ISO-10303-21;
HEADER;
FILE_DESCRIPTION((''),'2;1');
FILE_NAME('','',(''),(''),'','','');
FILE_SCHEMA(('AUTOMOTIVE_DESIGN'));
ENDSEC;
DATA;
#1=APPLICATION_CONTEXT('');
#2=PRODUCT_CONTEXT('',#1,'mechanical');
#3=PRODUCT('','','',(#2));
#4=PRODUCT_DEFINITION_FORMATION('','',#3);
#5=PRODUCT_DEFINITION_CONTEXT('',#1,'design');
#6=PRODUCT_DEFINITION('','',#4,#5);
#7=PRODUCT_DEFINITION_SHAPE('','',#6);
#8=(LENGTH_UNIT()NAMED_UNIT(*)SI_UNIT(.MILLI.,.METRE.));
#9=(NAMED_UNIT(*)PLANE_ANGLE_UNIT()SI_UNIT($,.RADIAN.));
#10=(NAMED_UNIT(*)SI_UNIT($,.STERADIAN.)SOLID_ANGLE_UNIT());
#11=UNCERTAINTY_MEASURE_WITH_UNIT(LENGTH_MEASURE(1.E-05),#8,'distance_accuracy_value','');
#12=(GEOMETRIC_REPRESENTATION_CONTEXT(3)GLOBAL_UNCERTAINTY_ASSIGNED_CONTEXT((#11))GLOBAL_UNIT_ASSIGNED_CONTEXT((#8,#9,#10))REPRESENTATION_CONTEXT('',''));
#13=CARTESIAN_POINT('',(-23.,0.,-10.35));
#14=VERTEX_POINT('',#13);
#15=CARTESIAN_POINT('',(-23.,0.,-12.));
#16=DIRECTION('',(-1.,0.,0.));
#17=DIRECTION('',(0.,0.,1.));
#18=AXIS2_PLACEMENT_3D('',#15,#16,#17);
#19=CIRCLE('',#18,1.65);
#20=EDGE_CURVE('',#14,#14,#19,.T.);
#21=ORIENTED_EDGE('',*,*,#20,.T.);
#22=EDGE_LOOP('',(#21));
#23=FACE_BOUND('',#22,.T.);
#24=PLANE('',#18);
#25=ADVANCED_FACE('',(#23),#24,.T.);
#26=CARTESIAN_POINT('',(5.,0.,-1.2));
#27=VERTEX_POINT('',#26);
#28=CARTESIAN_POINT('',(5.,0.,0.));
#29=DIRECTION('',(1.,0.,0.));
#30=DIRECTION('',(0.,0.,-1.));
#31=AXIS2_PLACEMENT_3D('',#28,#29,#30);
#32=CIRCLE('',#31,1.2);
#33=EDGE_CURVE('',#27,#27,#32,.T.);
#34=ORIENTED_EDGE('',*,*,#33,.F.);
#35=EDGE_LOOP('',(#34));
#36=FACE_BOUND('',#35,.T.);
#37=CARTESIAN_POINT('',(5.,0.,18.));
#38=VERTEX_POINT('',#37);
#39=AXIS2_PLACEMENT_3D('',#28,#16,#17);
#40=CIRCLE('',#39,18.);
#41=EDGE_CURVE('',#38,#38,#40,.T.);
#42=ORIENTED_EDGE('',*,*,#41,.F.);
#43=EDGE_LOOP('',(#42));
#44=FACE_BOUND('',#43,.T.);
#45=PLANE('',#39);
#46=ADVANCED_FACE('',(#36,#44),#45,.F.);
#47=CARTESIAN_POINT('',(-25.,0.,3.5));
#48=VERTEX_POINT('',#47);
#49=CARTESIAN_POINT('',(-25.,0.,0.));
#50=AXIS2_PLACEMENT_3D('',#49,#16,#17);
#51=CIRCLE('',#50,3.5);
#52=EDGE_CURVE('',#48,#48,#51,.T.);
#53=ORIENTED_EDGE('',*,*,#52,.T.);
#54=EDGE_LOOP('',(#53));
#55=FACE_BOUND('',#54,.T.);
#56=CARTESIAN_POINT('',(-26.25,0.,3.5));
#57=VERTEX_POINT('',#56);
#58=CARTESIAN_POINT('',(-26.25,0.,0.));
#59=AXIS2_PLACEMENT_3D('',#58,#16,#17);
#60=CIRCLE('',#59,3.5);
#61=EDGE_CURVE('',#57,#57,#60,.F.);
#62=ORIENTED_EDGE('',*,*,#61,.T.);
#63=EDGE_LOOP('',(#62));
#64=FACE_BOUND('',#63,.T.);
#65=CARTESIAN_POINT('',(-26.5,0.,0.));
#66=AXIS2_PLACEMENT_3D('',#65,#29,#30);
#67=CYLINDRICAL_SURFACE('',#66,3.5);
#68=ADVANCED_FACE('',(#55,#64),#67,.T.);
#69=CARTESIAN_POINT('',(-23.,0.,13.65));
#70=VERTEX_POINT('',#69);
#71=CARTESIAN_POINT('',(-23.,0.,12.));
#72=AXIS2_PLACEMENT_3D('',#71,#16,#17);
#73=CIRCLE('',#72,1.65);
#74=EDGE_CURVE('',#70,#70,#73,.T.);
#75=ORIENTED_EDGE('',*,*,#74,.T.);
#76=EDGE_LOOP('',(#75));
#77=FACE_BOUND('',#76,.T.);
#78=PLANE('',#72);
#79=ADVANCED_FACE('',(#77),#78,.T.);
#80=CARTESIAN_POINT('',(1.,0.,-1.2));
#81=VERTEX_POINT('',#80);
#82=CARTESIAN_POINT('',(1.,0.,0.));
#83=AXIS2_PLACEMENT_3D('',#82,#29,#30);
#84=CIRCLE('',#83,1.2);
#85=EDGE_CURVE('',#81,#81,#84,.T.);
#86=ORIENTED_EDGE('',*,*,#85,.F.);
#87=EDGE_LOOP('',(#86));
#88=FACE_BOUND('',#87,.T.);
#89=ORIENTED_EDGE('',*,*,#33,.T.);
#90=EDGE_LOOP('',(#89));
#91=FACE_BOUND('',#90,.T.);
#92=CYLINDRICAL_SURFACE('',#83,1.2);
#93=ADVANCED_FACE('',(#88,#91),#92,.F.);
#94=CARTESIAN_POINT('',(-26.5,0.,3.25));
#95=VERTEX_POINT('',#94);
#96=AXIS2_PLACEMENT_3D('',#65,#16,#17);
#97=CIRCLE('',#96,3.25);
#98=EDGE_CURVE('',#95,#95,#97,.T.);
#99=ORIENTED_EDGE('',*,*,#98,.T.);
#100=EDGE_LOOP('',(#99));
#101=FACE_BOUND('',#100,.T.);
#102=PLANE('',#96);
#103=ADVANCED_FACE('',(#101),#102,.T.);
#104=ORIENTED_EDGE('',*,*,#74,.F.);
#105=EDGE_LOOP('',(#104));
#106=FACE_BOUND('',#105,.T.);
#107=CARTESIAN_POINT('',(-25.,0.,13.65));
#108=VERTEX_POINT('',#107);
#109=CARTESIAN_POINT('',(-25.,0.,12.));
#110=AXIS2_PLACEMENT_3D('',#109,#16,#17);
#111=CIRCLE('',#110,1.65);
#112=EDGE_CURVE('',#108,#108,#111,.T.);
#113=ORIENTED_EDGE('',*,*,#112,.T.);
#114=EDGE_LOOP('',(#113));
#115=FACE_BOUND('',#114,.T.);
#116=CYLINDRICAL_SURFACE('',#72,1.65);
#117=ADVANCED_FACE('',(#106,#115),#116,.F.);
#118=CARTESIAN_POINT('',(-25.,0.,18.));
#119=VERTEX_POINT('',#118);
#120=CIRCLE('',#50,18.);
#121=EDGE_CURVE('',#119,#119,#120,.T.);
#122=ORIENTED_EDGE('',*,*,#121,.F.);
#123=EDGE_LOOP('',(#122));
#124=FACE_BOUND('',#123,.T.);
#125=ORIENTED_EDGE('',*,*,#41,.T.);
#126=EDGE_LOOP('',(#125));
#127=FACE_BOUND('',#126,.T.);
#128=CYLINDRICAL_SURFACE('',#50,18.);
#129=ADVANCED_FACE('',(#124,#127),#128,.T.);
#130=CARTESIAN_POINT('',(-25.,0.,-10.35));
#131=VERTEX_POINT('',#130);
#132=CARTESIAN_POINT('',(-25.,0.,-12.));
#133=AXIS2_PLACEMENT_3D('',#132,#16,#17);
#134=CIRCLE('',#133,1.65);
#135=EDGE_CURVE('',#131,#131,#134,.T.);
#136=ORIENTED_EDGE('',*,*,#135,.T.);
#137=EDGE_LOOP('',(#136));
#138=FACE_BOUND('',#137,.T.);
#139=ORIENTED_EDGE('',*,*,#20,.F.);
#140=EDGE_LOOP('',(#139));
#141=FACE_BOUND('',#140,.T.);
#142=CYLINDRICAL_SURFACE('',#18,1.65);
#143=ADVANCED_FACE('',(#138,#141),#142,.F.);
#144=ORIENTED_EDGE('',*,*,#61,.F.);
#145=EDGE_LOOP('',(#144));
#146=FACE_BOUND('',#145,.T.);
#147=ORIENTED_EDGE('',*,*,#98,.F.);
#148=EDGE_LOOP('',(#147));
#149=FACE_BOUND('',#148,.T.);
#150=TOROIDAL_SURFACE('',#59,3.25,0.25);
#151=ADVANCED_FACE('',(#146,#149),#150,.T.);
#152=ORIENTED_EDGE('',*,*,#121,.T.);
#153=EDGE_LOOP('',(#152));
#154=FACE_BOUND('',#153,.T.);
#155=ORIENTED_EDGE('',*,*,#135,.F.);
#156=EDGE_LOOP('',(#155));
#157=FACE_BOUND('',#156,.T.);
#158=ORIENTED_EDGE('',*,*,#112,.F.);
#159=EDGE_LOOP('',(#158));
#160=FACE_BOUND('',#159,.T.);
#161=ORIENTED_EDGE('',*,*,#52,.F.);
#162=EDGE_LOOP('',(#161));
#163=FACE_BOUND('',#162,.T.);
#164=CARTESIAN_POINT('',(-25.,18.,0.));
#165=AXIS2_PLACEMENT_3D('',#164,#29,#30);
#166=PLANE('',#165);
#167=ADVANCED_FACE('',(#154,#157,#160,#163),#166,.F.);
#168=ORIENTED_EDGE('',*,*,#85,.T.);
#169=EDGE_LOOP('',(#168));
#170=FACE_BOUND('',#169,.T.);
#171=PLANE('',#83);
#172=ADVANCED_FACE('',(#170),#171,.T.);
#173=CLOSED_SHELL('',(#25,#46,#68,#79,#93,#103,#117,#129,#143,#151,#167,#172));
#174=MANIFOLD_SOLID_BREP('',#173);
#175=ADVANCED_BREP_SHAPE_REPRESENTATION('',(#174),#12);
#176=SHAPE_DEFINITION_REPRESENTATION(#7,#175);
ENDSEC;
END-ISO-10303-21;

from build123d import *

# Parameters (mm, degrees)
SKETCH1_W           = 30
SKETCH1_H           = 18
SKETCH2_R           = 1.2
CUT_EXTRUDE1_DEPTH  = 4
SKETCH3_R           = 3.5
BOSS_EXTRUDE1_DEPTH = 1.5
FILLET1_R           = 0.25
SKETCH4_R           = 1.65
CUT_EXTRUDE2_DEPTH  = 2


with BuildPart() as part:
    # Sketch1 → Revolve1 (revolve)
    with BuildSketch(Plane.XY, mode=Mode.PRIVATE) as revolve1_sk:
        with Locations((-10, 9)):
            Rectangle(SKETCH1_W, SKETCH1_H)
    revolve(revolve1_sk.sketch.rotate(Axis((-25, 0, 0), (1, 0, 0)), 90), axis=Axis((-25, 0, 0), (1, 0, 0)))

    # Sketch2 → Cut-Extrude1 (cut)
    with BuildSketch(Plane(origin=(5, 0, 0), x_dir=(0, 0, -1), z_dir=(1, 0, 0))):
        Circle(SKETCH2_R)
    extrude(amount=-CUT_EXTRUDE1_DEPTH, mode=Mode.SUBTRACT)

    # Sketch3 → Boss-Extrude1 (add)
    with BuildSketch(Plane.ZY.offset(25)):
        Circle(SKETCH3_R)
    extrude(amount=BOSS_EXTRUDE1_DEPTH)

    # Fillet1
    fillet1_edges = [part.edges().sort_by_distance(p)[0] for p in [
        (-26.5, 0, -3.5),
    ]]
    fillet(fillet1_edges, radius=FILLET1_R)

    # Sketch4 → Cut-Extrude2 (cut)
    with BuildSketch(Plane.ZY.offset(25)):
        with Locations((-12, 0)):
            Circle(SKETCH4_R)
        with Locations((12, 0)):
            Circle(SKETCH4_R)
    extrude(amount=-CUT_EXTRUDE2_DEPTH, mode=Mode.SUBTRACT)


solid = part.part
